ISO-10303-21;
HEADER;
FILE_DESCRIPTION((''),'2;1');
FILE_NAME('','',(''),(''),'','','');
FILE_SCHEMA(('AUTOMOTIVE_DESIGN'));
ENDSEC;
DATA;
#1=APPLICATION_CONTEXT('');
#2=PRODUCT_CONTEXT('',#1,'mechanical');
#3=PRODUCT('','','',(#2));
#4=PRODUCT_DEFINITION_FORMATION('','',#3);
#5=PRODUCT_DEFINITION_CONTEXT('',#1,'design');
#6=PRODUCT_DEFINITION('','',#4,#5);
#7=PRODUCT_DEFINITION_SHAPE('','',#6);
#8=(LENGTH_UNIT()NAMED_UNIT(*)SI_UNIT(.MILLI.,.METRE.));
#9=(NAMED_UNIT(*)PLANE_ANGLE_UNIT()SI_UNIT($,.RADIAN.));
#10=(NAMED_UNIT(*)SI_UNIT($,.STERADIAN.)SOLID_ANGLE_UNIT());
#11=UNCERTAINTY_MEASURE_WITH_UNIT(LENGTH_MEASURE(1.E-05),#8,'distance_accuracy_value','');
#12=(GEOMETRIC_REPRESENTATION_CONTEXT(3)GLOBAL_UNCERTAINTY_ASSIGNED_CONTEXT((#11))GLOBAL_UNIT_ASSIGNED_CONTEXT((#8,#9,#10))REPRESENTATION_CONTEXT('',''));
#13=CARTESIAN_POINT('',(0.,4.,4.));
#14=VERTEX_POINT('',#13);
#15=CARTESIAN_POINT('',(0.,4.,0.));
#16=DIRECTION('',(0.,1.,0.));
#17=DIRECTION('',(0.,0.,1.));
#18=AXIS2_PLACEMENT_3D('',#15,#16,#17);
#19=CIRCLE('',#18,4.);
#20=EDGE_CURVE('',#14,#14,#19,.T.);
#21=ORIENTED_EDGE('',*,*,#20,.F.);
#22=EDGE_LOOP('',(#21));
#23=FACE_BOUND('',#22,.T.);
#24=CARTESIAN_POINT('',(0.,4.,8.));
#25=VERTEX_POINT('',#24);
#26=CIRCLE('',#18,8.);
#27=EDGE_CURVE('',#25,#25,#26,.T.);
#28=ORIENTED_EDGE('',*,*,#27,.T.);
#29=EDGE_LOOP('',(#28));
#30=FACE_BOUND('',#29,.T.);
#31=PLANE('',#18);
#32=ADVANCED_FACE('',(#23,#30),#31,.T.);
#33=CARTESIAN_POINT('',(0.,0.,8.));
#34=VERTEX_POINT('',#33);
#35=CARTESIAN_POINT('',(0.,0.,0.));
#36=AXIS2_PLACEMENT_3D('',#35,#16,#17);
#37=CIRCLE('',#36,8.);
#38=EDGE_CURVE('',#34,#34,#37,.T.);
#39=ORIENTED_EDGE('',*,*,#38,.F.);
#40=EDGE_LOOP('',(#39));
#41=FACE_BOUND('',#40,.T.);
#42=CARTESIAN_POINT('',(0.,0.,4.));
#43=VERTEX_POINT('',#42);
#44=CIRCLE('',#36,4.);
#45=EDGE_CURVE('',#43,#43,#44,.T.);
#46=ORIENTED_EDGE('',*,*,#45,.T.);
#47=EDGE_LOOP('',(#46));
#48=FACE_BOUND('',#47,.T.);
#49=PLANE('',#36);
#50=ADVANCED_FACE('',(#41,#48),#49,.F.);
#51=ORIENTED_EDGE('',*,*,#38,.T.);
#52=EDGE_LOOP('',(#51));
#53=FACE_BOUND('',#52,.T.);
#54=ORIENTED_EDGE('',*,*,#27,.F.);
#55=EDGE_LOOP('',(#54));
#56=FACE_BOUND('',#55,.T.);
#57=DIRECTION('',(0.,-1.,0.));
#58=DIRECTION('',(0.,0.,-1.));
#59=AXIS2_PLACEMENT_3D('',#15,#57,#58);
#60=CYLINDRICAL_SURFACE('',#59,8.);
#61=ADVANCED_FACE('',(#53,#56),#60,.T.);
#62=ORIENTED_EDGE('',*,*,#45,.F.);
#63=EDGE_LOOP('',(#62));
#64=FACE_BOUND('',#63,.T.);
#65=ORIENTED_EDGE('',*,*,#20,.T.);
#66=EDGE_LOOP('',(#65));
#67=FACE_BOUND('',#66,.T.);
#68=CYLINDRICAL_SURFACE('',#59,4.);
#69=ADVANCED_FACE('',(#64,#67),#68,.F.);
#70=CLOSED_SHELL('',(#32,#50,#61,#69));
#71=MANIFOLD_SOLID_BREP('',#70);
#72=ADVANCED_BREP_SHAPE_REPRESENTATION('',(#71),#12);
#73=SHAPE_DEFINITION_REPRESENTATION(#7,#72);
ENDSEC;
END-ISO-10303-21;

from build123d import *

# Parameters (mm, degrees)
SKETCH_1_R      = 8
SKETCH_1_R_2    = 4
EXTRUDE_1_DEPTH = 4


with BuildPart() as part:
    # 草图1 → 凸台-拉伸1 (new body)
    with BuildSketch(Plane(origin=(0, 0, 0), x_dir=(1, 0, 0), z_dir=(0, 1, 0))):
        Circle(SKETCH_1_R)
        Circle(SKETCH_1_R_2, mode=Mode.SUBTRACT)
    extrude(amount=EXTRUDE_1_DEPTH)


solid = part.part
